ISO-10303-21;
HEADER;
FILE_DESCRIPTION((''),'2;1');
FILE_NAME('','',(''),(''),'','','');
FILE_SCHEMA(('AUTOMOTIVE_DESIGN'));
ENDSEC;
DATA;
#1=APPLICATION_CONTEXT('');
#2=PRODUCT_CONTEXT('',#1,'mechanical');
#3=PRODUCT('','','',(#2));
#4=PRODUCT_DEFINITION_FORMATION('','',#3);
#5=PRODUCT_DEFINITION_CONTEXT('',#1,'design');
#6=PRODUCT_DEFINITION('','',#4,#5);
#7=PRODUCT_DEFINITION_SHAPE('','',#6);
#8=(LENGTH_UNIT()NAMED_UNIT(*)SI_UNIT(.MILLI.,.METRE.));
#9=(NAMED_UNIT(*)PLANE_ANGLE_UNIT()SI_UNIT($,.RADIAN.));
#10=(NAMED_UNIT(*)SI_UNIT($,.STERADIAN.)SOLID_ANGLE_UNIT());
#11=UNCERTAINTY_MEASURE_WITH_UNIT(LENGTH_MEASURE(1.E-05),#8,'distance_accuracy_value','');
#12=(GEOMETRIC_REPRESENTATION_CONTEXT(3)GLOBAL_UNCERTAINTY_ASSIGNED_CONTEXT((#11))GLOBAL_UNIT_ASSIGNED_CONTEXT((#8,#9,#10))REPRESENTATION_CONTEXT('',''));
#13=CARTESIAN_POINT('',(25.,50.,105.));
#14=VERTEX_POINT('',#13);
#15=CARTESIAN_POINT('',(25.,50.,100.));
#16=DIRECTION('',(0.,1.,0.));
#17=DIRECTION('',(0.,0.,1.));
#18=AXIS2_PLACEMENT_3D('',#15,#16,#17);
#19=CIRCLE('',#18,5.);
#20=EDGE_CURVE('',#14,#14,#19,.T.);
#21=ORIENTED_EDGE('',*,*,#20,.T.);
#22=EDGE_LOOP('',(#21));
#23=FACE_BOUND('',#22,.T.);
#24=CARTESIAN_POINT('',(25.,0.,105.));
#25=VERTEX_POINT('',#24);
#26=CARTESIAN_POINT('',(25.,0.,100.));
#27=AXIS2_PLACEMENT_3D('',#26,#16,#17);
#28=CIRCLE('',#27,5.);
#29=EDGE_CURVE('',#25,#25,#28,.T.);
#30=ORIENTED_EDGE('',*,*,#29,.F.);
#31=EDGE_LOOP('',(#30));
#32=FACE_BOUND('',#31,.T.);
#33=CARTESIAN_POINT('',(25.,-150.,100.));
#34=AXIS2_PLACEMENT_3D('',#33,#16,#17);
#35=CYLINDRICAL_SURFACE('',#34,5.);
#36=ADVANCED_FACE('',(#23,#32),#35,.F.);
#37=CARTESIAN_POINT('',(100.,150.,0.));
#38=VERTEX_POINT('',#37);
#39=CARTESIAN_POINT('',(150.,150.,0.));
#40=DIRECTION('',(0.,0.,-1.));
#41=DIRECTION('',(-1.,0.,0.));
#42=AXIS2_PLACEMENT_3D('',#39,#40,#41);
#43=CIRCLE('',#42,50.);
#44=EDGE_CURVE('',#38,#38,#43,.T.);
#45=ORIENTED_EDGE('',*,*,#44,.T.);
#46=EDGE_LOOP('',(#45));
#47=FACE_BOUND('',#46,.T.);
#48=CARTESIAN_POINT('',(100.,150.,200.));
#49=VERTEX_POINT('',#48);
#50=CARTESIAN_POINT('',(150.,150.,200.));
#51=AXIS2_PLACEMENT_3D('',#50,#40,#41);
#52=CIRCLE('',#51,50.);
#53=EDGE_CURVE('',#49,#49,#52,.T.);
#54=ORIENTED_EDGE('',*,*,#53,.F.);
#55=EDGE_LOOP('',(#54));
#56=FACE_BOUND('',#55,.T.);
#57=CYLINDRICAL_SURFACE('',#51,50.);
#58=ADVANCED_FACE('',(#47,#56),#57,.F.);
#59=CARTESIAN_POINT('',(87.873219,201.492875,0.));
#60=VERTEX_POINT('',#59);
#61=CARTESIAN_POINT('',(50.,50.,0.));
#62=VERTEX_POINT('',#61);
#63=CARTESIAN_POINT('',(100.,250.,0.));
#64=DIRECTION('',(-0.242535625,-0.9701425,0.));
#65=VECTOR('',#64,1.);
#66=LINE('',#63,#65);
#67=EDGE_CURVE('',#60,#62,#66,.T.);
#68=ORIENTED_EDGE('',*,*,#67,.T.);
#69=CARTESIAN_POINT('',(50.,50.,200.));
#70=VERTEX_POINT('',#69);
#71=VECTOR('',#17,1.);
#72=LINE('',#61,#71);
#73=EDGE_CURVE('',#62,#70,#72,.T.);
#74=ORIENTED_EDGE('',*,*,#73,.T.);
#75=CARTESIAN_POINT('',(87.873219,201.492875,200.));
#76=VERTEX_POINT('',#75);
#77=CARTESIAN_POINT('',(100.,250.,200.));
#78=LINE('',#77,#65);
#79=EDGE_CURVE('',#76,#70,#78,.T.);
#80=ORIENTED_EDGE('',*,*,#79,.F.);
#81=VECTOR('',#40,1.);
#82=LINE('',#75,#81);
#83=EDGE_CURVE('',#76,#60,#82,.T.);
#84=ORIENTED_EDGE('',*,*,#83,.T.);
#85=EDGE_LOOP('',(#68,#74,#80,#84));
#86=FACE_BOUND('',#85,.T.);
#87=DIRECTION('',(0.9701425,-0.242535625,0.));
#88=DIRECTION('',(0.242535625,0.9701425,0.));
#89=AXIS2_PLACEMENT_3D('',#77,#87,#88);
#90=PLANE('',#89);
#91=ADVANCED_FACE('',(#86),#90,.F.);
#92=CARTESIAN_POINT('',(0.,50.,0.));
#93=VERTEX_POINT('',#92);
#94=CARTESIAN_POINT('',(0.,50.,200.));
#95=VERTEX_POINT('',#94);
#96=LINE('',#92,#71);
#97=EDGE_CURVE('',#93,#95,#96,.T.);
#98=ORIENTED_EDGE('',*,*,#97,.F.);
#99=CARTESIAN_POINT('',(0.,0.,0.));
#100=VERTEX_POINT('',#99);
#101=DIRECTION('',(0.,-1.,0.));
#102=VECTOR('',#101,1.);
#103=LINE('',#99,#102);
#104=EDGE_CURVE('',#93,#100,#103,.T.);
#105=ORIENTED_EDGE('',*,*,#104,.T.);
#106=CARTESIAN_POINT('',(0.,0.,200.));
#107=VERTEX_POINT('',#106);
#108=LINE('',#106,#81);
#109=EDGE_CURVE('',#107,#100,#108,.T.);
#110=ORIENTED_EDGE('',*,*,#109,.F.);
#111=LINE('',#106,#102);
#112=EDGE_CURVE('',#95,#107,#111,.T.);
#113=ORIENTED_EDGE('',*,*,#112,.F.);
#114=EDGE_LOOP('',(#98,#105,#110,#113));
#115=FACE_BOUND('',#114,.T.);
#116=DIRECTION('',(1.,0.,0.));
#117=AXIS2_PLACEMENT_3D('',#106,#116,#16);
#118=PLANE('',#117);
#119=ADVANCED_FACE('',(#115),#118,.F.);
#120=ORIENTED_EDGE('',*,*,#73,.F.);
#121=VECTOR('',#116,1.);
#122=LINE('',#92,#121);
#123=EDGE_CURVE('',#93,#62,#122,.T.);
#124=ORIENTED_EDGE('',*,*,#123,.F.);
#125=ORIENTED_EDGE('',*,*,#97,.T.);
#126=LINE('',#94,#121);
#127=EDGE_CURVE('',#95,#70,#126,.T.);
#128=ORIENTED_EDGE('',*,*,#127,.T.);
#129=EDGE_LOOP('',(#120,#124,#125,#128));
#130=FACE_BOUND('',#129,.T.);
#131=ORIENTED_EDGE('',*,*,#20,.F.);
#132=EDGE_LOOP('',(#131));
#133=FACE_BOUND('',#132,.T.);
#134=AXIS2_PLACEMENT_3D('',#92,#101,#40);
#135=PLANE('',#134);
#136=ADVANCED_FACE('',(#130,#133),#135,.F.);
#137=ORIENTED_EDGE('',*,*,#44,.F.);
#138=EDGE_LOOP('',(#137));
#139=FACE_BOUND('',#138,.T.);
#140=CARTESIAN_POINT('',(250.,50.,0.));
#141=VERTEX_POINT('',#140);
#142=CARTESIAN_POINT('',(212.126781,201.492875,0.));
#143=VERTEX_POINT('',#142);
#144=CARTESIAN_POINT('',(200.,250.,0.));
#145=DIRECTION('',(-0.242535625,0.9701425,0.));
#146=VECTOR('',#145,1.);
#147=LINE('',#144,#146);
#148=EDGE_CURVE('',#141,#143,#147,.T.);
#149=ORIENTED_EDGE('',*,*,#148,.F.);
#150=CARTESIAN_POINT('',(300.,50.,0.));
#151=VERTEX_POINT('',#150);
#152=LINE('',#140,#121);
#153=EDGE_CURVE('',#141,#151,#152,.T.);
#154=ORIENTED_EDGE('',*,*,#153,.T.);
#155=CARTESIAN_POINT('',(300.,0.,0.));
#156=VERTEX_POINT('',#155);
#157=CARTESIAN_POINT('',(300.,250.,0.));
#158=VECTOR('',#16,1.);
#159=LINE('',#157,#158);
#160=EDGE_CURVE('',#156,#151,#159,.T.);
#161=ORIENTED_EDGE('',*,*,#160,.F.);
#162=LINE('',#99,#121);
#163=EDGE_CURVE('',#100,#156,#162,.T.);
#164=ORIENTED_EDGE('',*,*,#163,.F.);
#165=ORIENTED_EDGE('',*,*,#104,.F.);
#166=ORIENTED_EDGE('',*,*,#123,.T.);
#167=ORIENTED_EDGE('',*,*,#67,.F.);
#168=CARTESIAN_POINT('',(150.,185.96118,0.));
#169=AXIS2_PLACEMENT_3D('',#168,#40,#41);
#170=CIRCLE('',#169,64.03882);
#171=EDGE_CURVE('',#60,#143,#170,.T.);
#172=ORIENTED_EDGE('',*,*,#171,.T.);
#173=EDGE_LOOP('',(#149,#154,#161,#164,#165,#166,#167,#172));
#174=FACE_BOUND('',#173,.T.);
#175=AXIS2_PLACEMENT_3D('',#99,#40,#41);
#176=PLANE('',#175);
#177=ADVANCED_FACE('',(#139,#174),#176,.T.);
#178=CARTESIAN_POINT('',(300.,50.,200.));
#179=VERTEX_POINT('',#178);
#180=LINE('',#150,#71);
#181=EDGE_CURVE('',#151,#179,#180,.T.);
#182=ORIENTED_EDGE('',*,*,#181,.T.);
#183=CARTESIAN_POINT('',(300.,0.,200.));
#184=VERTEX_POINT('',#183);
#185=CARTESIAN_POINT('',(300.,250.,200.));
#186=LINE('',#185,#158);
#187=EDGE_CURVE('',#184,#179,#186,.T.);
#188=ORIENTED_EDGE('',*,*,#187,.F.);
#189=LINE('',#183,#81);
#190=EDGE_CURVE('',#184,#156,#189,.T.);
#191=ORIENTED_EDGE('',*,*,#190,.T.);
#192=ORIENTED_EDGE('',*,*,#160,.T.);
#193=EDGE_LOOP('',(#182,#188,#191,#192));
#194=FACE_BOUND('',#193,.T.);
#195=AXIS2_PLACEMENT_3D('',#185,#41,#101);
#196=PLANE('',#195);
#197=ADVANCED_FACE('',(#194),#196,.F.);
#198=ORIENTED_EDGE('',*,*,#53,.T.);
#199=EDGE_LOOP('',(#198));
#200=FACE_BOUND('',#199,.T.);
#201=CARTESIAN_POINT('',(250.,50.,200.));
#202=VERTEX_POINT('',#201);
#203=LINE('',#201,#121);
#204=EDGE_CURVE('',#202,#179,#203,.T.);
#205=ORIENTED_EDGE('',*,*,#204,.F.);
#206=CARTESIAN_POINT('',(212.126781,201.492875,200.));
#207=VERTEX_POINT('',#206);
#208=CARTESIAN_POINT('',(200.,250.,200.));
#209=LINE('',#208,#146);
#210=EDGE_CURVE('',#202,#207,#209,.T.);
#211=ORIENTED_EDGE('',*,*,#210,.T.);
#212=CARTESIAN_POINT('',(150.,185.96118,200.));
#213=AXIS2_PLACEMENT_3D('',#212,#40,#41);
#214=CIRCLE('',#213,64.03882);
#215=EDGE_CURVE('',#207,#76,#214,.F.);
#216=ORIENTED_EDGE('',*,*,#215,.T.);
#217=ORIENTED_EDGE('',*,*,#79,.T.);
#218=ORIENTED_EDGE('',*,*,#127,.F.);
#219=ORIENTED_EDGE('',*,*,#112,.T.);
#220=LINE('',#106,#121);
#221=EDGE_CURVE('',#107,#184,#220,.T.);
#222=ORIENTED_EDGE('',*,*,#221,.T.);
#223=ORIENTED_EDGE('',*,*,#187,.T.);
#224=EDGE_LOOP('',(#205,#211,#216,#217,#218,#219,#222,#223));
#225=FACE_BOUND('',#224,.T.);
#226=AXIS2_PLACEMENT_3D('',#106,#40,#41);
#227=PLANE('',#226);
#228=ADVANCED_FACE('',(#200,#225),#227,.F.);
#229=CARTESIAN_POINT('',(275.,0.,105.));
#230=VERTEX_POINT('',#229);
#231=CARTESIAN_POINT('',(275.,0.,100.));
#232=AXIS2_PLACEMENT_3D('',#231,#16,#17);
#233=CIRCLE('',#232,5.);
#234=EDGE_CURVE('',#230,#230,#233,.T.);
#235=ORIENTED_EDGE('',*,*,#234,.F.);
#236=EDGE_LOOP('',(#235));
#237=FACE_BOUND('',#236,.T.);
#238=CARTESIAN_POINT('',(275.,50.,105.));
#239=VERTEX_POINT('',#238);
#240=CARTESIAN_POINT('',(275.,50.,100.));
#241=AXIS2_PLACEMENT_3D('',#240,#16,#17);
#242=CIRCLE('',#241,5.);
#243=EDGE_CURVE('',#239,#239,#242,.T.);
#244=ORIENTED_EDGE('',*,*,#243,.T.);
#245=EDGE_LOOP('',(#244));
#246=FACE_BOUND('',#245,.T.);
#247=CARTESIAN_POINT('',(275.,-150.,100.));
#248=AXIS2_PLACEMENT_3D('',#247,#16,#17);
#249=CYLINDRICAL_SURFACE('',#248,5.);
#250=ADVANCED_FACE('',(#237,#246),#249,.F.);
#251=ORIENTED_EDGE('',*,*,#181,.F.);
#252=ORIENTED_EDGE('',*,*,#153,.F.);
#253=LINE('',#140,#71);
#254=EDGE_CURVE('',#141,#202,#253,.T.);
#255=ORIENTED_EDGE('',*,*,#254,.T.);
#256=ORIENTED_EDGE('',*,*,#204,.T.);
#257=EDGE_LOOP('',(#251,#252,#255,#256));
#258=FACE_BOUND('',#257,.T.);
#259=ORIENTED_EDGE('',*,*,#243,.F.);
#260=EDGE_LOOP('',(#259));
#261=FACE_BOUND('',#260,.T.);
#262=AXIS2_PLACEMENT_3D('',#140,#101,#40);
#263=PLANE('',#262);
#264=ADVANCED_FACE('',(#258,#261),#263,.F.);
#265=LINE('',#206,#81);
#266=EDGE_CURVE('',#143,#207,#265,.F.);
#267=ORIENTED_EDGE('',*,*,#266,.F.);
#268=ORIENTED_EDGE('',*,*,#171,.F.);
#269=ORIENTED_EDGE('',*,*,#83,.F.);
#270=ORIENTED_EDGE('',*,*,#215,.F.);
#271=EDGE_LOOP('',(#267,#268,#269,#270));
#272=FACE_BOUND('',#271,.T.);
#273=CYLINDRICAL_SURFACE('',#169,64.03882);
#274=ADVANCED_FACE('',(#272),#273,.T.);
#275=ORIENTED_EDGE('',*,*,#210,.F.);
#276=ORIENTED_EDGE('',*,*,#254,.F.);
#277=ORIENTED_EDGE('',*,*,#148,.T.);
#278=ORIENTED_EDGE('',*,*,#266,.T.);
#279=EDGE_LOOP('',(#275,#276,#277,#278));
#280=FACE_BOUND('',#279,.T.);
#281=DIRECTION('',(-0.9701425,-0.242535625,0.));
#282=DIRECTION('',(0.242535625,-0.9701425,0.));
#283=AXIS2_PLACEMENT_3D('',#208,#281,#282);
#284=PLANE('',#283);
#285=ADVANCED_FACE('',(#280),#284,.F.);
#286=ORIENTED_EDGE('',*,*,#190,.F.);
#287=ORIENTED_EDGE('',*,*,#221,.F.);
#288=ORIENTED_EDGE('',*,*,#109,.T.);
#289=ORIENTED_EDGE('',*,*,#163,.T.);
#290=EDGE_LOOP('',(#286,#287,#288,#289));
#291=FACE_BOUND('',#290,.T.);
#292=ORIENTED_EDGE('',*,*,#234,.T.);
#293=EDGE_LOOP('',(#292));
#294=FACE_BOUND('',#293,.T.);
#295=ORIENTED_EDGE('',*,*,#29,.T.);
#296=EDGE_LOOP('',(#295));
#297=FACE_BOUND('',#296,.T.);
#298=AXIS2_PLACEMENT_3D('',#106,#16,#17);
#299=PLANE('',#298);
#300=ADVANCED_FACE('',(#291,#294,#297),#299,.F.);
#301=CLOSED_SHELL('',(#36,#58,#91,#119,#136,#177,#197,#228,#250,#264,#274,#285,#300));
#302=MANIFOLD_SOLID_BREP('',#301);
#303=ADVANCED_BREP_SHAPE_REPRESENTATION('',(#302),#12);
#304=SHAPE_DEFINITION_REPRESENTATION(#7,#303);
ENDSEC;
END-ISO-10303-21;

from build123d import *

# Parameters (mm, degrees)
SKETCH1_W           = 300
SKETCH1_H           = 250
BOSS_EXTRUDE1_DEPTH = 200
SKETCH2_W           = 50
SKETCH2_H           = 200
CUT_EXTRUDE1_DEPTH  = 200
SKETCH3_W           = 50
SKETCH3_H           = 200
CUT_EXTRUDE2_DEPTH  = 200
CUT_EXTRUDE3_DEPTH  = 200
CUT_EXTRUDE4_DEPTH  = 200
FILLET1_R           = 64.03882
SKETCH6_R           = 50
CUT_EXTRUDE5_DEPTH  = 200
SKETCH8_R           = 5
CUT_EXTRUDE6_DEPTH  = 200
SKETCH9_R           = 5
CUT_EXTRUDE7_DEPTH  = 200


with BuildPart() as part:
    # Sketch1 → Boss-Extrude1 (new body)
    with BuildSketch(Plane.XY):
        with Locations((150, 125)):
            Rectangle(SKETCH1_W, SKETCH1_H)
    extrude(amount=BOSS_EXTRUDE1_DEPTH)

    # Sketch2 → Cut-Extrude1 (cut)
    with BuildSketch(Plane.XY.offset(200)):
        with Locations((25, 150)):
            Rectangle(SKETCH2_W, SKETCH2_H)
    extrude(amount=-CUT_EXTRUDE1_DEPTH, mode=Mode.SUBTRACT)

    # Sketch3 → Cut-Extrude2 (cut)
    with BuildSketch(Plane.XY.offset(200)):
        with Locations((275, 150)):
            Rectangle(SKETCH3_W, SKETCH3_H)
    extrude(amount=-CUT_EXTRUDE2_DEPTH, mode=Mode.SUBTRACT)

    # Sketch4 → Cut-Extrude3 (cut)
    with BuildSketch(Plane(origin=(0, 0, 0), x_dir=(-1, 0, 0), z_dir=(0, 0, -1))):
        Polygon((-50, 250), (-100, 250), (-50, 50), align=None)
    extrude(amount=-CUT_EXTRUDE3_DEPTH, mode=Mode.SUBTRACT)

    # Sketch5 → Cut-Extrude4 (cut)
    with BuildSketch(Plane(origin=(0, 0, 0), x_dir=(-1, 0, 0), z_dir=(0, 0, -1))):
        Polygon((-250, 250), (-200, 250), (-250, 50), align=None)
    extrude(amount=-CUT_EXTRUDE4_DEPTH, mode=Mode.SUBTRACT)

    # Fillet1
    fillet1_edges = [part.edges().sort_by_distance(p)[0] for p in [
        (100, 250, 100),
        (200, 250, 100),
    ]]
    fillet(fillet1_edges, radius=FILLET1_R)

    # Sketch6 → Cut-Extrude5 (cut)
    with BuildSketch(Plane(origin=(0, 0, 0), x_dir=(-1, 0, 0), z_dir=(0, 0, -1))):
        with Locations((-150, 150)):
            Circle(SKETCH6_R)
    extrude(amount=-CUT_EXTRUDE5_DEPTH, mode=Mode.SUBTRACT)

    # Sketch8 → Cut-Extrude6 (cut)
    with BuildSketch(Plane(origin=(0, 50, 0), x_dir=(1, 0, 0), z_dir=(0, 1, 0))):
        with Locations(Location((25, -100, 0), (0, 0, 270))):
            Circle(SKETCH8_R)
    extrude(amount=-CUT_EXTRUDE6_DEPTH, mode=Mode.SUBTRACT)

    # Sketch9 → Cut-Extrude7 (cut)
    with BuildSketch(Plane(origin=(0, 50, 0), x_dir=(1, 0, 0), z_dir=(0, 1, 0))):
        with Locations(Location((275, -100, 0), (0, 0, 270))):
            Circle(SKETCH9_R)
    extrude(amount=-CUT_EXTRUDE7_DEPTH, mode=Mode.SUBTRACT)


solid = part.part
